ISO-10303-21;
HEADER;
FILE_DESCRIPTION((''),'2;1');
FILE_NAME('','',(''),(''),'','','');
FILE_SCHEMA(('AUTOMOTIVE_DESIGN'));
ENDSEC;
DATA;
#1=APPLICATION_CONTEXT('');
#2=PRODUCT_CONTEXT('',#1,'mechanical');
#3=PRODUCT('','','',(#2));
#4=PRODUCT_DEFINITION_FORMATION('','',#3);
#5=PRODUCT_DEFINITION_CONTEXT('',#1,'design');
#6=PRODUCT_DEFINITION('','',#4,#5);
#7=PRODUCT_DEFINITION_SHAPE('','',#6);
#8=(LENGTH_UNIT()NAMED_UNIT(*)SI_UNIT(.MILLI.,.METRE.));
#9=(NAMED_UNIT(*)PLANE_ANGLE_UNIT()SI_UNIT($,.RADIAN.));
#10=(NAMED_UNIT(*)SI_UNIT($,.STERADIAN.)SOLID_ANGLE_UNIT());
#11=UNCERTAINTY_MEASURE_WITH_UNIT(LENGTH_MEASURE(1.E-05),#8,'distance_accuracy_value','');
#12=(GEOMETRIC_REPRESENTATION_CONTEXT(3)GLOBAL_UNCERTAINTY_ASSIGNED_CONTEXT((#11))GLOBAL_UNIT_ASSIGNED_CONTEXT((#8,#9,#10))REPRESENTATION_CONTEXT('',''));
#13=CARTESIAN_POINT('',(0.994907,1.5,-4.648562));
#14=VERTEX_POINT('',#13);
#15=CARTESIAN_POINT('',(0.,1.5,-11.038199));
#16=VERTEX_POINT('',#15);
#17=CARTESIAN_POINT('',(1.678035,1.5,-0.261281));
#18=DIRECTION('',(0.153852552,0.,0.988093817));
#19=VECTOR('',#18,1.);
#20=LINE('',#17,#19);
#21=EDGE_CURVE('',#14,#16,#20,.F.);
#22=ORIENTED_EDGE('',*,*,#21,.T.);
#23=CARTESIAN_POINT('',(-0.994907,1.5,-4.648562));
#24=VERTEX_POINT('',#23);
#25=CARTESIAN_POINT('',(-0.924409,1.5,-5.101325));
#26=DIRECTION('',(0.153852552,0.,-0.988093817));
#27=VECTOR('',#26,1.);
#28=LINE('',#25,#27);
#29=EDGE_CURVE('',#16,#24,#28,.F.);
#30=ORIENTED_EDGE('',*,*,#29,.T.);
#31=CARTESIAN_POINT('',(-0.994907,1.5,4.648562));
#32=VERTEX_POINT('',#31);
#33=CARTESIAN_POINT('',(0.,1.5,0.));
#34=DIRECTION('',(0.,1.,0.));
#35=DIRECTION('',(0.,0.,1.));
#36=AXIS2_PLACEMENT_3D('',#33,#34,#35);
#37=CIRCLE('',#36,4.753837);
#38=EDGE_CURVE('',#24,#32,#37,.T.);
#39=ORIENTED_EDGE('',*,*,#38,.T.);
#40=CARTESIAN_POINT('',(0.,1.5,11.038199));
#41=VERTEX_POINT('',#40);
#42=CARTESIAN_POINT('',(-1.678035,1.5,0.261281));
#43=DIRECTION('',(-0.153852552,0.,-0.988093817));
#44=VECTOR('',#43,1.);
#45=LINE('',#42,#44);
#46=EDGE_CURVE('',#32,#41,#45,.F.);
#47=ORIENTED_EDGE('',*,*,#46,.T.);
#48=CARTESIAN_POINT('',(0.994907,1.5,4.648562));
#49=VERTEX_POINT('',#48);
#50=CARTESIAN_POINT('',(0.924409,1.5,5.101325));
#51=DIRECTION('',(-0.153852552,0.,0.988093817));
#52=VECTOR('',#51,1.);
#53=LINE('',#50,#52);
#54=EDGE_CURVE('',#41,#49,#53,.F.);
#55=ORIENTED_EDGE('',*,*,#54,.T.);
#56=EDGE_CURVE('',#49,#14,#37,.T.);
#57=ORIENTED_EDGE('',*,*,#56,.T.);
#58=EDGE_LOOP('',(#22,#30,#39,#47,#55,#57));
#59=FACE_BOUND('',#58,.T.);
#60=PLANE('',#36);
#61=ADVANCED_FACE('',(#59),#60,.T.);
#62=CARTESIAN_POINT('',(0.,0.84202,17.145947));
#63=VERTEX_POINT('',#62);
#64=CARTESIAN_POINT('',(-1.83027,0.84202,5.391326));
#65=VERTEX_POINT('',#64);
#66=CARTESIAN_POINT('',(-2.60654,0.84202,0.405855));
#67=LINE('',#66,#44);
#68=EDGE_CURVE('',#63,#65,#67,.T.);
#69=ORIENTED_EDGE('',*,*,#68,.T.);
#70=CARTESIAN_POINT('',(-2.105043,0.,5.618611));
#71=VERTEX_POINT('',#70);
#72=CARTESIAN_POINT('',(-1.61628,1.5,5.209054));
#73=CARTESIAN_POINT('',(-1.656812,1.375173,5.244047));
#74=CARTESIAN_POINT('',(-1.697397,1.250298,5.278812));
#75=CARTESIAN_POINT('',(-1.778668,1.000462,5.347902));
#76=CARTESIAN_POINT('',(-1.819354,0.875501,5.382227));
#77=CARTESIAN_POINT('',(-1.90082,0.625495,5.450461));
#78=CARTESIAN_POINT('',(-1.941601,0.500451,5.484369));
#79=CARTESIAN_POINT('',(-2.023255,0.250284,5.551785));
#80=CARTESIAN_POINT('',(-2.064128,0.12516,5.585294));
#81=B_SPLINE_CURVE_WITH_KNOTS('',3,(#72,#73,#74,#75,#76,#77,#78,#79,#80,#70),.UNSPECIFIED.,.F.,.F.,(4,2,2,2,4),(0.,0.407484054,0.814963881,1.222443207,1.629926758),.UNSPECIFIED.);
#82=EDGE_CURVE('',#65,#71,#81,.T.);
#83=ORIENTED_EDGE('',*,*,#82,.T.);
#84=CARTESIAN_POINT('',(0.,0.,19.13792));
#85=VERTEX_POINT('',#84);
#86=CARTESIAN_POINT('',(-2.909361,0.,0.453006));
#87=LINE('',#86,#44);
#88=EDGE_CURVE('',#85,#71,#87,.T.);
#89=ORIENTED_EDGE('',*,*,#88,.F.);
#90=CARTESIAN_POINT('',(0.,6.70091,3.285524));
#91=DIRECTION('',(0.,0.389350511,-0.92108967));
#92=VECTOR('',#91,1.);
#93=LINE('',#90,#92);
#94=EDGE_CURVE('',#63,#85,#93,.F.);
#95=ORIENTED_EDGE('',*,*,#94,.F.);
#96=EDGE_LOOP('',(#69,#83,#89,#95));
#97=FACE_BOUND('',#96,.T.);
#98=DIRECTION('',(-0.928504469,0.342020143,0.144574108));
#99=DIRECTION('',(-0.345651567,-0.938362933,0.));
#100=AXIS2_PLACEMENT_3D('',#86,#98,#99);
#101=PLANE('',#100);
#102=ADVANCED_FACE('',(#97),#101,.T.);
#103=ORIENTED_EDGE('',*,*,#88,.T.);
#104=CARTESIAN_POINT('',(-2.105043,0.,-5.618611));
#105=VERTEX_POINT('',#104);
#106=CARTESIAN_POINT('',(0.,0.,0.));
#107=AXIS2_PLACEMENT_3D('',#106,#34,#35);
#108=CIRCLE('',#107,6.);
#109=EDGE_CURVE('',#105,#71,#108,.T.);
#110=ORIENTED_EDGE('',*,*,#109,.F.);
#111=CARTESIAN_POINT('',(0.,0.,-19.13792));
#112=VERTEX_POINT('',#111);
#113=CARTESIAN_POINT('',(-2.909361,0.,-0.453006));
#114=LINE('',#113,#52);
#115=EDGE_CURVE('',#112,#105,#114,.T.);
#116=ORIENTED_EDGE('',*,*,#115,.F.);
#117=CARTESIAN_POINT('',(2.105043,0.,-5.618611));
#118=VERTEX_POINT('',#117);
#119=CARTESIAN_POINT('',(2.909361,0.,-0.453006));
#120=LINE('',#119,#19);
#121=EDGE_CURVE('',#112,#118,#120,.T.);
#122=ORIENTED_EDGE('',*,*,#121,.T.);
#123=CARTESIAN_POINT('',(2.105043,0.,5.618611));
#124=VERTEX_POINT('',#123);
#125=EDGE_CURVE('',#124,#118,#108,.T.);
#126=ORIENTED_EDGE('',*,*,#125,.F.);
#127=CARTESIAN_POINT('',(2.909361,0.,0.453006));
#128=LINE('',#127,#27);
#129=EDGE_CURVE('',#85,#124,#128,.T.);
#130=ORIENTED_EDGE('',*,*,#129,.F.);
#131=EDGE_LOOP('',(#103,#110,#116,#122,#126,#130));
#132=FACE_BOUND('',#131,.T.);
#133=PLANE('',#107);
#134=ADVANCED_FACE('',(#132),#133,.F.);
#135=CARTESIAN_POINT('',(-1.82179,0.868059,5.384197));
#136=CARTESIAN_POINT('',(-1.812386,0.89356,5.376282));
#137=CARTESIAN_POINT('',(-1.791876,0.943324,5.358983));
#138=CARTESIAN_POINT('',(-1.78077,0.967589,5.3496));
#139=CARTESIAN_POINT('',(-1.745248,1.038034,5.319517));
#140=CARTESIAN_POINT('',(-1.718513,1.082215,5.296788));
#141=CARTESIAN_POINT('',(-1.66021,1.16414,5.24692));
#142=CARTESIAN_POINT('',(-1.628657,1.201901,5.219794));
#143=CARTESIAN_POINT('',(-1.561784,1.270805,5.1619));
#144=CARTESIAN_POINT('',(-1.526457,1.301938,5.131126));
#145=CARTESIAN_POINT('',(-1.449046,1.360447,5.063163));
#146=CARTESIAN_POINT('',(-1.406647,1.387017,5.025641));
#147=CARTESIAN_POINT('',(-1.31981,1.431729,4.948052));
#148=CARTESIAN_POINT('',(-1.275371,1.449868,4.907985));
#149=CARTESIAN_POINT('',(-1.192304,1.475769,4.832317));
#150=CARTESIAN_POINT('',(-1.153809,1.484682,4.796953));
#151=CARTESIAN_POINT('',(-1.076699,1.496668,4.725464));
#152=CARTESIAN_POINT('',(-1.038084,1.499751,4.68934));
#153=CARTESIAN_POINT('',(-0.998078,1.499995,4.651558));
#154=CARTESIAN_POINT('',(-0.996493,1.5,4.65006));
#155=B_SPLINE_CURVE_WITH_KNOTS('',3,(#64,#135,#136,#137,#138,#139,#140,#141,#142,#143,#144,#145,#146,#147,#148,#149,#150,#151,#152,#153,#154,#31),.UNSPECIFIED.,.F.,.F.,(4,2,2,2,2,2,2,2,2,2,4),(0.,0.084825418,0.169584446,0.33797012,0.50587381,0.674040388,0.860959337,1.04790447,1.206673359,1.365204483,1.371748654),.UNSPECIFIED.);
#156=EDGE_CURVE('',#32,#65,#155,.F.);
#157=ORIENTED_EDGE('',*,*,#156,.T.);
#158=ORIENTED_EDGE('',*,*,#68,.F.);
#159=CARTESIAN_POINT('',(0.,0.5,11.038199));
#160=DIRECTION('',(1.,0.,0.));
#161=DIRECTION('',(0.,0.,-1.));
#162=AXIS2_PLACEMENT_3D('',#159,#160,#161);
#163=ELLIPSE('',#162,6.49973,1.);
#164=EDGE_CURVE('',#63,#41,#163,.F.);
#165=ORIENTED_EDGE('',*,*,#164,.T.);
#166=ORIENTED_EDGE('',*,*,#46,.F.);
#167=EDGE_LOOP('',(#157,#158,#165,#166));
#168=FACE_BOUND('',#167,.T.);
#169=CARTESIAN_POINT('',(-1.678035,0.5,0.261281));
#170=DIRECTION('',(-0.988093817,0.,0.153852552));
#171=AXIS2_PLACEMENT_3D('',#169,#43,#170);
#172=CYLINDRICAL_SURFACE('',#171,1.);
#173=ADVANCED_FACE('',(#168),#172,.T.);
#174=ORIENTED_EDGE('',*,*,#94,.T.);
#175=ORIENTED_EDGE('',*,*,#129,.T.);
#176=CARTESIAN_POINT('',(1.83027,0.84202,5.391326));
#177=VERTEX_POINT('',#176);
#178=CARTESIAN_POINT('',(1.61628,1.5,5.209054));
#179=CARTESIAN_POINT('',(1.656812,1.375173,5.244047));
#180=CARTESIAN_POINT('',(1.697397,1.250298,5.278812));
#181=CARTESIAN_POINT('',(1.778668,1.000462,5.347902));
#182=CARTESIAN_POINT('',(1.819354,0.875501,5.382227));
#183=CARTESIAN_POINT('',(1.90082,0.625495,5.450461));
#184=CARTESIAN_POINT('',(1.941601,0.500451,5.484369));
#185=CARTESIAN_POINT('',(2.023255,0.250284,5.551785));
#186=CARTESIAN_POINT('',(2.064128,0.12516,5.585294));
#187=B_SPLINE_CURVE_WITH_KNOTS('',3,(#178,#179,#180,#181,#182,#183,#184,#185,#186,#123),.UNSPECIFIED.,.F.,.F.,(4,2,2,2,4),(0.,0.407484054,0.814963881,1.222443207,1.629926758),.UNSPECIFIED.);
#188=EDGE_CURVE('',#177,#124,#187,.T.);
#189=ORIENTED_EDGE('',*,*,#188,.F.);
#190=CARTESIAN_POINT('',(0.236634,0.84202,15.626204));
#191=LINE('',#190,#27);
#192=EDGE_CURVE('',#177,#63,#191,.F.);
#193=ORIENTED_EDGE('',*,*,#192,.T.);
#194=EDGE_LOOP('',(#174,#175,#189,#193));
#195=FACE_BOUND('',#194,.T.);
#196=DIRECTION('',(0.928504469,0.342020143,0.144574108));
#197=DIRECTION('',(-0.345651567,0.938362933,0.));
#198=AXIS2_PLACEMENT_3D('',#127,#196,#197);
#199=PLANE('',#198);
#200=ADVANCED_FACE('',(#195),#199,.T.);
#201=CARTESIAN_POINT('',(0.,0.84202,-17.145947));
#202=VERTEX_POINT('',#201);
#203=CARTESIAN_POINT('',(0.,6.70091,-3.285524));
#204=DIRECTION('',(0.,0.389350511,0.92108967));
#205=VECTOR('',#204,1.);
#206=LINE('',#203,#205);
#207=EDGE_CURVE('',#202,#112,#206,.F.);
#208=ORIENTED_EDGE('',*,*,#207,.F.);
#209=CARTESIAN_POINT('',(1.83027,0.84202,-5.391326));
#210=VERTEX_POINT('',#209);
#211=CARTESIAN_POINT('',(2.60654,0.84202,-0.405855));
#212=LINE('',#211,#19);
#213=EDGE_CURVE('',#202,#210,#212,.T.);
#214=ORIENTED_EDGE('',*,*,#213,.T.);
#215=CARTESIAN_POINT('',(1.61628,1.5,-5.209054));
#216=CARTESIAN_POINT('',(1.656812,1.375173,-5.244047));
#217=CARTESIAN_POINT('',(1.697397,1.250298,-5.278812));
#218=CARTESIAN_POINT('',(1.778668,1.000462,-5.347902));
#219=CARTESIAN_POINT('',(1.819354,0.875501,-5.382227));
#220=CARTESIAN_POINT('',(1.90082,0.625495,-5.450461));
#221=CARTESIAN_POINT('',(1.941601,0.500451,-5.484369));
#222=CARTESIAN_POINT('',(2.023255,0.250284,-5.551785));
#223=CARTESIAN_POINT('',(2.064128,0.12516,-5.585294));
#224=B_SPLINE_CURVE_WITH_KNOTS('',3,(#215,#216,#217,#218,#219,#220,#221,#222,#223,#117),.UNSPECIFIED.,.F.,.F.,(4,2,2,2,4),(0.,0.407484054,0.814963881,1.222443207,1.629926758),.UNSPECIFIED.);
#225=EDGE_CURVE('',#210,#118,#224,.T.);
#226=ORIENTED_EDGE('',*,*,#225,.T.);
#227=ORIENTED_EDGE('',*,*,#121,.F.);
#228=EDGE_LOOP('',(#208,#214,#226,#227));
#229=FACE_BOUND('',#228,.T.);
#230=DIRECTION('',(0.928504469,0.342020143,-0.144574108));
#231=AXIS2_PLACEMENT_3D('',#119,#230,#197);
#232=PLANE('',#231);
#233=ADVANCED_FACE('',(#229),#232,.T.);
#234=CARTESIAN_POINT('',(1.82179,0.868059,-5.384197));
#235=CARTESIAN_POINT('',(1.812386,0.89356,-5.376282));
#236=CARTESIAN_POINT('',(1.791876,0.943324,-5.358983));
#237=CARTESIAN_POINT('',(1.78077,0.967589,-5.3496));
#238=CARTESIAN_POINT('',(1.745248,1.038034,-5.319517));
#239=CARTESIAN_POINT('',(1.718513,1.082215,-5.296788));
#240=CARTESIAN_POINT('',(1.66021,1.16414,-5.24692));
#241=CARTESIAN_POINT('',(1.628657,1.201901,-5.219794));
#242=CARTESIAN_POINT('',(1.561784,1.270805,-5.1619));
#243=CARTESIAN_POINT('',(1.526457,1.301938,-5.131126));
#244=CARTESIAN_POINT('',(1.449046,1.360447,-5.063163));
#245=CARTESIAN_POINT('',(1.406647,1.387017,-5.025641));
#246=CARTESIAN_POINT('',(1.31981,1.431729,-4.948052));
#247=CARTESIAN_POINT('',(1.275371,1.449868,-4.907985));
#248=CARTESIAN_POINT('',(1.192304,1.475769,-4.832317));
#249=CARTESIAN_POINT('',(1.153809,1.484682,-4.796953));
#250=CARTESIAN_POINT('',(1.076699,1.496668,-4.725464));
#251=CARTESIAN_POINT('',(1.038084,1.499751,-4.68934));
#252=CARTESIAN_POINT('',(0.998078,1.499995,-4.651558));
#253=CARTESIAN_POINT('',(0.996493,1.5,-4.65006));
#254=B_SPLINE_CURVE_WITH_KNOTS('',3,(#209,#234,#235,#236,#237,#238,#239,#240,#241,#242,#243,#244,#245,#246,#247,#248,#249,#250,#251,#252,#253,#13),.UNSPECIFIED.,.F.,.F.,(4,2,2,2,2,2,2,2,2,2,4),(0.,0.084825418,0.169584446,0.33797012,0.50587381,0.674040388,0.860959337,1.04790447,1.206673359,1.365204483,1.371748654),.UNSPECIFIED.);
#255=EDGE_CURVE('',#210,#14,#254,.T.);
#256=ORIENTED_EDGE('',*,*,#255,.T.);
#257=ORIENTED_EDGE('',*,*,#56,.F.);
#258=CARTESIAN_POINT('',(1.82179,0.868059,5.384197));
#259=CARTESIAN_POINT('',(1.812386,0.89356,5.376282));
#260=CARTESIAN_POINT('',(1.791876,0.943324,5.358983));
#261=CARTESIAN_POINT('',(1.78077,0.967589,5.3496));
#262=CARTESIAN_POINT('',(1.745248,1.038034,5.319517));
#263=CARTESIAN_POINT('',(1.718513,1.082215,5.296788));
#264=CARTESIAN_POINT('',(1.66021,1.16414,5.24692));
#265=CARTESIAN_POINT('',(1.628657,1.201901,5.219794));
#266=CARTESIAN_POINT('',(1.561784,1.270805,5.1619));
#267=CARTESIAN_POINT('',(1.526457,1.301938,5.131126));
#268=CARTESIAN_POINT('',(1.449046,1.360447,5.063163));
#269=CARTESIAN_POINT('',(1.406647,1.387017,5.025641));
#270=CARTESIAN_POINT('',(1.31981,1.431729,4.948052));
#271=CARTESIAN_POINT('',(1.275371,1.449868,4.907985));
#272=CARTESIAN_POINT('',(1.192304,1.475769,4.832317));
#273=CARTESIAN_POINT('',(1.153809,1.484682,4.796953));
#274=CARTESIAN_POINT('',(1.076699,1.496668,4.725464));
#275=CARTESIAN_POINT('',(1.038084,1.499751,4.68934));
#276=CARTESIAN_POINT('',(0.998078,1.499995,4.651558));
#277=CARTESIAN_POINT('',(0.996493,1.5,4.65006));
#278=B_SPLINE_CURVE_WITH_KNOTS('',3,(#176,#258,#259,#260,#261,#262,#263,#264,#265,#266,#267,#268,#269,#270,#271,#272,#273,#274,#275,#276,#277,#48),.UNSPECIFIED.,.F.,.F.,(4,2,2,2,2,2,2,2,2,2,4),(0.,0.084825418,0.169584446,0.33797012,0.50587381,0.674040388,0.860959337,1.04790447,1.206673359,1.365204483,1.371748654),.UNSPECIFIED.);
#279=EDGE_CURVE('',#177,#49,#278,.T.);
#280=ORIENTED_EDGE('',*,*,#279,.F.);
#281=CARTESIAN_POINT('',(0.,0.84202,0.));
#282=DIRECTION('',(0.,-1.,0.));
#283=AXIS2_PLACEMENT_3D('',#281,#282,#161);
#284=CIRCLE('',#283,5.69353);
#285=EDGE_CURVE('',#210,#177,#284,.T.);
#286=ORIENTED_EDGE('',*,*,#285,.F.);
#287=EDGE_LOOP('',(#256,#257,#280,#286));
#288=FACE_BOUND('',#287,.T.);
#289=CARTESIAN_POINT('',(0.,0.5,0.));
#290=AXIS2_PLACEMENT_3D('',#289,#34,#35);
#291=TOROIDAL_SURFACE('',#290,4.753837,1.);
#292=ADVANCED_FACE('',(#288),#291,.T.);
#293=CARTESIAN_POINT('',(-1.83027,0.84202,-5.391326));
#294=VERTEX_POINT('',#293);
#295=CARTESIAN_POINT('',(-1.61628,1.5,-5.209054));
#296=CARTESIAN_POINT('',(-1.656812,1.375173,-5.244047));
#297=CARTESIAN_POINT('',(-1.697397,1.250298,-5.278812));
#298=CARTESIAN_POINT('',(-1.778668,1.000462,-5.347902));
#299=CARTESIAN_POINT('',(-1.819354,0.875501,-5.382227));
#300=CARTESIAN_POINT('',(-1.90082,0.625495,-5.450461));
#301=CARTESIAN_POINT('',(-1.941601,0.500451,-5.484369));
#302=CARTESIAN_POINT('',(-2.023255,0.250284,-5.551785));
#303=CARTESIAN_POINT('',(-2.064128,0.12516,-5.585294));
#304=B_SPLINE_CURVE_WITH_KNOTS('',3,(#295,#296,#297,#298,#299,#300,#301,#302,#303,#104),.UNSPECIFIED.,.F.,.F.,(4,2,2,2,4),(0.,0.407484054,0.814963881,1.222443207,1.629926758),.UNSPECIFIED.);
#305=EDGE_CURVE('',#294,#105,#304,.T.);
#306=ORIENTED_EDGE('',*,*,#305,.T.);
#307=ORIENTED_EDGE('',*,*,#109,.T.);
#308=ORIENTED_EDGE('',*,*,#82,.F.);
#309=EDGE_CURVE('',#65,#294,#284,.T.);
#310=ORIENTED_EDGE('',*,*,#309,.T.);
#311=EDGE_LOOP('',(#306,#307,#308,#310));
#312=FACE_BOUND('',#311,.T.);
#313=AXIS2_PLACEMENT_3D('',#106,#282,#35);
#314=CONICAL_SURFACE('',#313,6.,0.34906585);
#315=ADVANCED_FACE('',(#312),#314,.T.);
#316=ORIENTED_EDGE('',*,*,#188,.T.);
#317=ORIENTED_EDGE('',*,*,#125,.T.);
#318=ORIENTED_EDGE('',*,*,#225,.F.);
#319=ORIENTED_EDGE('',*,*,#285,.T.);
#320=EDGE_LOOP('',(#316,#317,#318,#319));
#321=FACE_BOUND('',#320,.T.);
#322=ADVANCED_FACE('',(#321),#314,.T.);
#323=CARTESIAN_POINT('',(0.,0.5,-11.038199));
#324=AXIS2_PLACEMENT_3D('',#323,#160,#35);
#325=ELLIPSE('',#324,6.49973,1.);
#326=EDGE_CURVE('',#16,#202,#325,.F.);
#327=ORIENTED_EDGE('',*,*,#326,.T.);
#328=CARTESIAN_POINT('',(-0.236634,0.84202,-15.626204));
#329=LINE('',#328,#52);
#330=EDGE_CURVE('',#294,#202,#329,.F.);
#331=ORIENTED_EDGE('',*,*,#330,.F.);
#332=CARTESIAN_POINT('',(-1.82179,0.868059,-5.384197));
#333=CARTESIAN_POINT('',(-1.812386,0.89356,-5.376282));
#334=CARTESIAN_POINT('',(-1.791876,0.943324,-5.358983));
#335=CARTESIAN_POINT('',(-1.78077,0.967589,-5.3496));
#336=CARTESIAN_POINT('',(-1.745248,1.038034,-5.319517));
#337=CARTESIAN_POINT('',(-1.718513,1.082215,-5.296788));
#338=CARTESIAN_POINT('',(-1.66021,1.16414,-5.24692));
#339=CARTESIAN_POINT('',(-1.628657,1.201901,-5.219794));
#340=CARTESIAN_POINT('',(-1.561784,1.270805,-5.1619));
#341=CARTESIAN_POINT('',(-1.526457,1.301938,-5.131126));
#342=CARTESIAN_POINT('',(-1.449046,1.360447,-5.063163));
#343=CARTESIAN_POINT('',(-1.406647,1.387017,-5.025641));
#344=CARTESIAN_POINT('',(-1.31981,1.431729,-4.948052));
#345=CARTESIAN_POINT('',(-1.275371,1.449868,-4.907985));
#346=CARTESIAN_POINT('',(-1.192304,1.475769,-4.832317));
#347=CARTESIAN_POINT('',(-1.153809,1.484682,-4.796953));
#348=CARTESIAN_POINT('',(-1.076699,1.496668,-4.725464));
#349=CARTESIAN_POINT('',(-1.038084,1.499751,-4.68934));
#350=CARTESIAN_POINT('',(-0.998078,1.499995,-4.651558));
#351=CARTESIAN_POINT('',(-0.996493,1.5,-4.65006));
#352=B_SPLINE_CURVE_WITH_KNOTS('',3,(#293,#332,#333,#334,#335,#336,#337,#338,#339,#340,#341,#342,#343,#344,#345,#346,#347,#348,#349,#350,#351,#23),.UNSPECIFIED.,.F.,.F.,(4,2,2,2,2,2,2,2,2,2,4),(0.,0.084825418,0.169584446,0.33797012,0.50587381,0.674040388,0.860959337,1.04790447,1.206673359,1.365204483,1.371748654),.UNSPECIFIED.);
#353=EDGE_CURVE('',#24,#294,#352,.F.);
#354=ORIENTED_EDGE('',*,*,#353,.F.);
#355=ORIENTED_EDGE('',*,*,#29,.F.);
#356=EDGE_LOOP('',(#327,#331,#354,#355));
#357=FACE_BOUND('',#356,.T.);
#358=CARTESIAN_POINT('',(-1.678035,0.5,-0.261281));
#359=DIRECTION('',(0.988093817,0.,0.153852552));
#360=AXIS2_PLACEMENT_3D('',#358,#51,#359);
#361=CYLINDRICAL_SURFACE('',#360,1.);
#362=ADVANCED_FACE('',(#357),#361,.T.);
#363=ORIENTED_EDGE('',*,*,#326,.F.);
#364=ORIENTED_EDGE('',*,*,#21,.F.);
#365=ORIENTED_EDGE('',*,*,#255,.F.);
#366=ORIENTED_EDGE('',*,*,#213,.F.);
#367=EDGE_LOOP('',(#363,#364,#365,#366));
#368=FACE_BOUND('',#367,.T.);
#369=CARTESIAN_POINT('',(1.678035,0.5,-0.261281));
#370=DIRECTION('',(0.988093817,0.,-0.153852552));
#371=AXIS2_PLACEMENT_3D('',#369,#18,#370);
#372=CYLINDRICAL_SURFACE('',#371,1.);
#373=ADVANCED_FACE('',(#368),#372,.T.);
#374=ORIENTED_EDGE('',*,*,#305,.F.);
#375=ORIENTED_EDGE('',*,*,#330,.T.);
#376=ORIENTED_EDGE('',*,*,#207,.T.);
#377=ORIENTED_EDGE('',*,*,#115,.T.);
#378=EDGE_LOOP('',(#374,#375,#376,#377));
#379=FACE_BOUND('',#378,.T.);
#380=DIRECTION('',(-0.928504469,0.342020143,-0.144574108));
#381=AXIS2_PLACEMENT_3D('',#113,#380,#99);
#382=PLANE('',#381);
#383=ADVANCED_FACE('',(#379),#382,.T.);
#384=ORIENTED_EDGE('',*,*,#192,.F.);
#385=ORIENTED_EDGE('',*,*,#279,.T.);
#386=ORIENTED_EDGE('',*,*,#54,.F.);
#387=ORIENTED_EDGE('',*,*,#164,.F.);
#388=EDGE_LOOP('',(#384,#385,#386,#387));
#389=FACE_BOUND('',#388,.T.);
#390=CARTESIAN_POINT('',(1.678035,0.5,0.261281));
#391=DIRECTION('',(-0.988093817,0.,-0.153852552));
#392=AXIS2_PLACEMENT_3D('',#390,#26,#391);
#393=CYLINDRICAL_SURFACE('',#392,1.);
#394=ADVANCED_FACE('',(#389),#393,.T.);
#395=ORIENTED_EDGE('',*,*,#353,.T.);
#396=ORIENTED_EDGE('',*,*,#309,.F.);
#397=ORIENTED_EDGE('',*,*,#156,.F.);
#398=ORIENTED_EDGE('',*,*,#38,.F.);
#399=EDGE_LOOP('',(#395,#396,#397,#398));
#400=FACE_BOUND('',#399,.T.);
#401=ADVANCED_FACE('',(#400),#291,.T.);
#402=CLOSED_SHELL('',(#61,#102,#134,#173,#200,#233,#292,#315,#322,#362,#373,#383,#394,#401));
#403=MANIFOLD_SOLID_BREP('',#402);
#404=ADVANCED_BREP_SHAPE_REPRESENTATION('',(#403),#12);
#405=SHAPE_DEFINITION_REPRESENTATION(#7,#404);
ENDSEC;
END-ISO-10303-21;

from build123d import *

# Parameters (mm, degrees)
BOSS_EXTRUDE1_DEPTH = 1.5
BOSS_EXTRUDE1_DRAFT = 20
FILLET1_R           = 1


with BuildPart() as part:
    # Sketch1 → Boss-Extrude1 (with draft: the straight prism first)
    with BuildSketch(Plane(origin=(0, 0, 0), x_dir=(1, 0, 0), z_dir=(0, 1, 0))):
        with BuildLine():
            Line((2.105043255, 5.618611296), (0, 19.137920482))
            Line((0, 19.137920482), (-2.105043255, 5.618611296))
            ThreePointArc((-2.105043255, 5.618611296), (-6, 0), (-2.105043255, -5.618611296))
            Line((-2.105043255, -5.618611296), (0, -19.137920482))
            Line((0, -19.137920482), (2.105043255, -5.618611296))
            ThreePointArc((2.105043255, -5.618611296), (6, 0), (2.105043255, 5.618611296))
        make_face()
    extrude(amount=BOSS_EXTRUDE1_DEPTH)
    # Boss-Extrude1: the draft: its side faces are tilted about the plane it starts from
    boss_extrude1_sides = [part.faces().sort_by_distance(p)[0] for p in [
        (1.052521627, 0.75, -12.378265889),
        (-1.052521627, 0.75, -12.378265889),
        (-6, 0.75, 0),
        (-1.052521627, 0.75, 12.378265889),
        (1.052521627, 0.75, 12.378265889),
        (6, 0.75, 0),
    ]]
    draft(boss_extrude1_sides, Plane(origin=(0, 0, 0), x_dir=(1, 0, 0), z_dir=(0, 1, 0)), BOSS_EXTRUDE1_DRAFT)

    # Fillet1
    fillet1_edges = [part.edges().sort_by_distance(p)[0] for p in [
        (-0.80814003, 1.5, 10.399206057),
        (-5.454044649, 1.5, 0),
        (-0.80814003, 1.5, -10.399206057),
        (0.80814003, 1.5, -10.399206057),
        (5.454044649, 1.5, 0),
        (0.80814003, 1.5, 10.399206057),
    ]]
    fillet(fillet1_edges, radius=FILLET1_R)


solid = part.part
